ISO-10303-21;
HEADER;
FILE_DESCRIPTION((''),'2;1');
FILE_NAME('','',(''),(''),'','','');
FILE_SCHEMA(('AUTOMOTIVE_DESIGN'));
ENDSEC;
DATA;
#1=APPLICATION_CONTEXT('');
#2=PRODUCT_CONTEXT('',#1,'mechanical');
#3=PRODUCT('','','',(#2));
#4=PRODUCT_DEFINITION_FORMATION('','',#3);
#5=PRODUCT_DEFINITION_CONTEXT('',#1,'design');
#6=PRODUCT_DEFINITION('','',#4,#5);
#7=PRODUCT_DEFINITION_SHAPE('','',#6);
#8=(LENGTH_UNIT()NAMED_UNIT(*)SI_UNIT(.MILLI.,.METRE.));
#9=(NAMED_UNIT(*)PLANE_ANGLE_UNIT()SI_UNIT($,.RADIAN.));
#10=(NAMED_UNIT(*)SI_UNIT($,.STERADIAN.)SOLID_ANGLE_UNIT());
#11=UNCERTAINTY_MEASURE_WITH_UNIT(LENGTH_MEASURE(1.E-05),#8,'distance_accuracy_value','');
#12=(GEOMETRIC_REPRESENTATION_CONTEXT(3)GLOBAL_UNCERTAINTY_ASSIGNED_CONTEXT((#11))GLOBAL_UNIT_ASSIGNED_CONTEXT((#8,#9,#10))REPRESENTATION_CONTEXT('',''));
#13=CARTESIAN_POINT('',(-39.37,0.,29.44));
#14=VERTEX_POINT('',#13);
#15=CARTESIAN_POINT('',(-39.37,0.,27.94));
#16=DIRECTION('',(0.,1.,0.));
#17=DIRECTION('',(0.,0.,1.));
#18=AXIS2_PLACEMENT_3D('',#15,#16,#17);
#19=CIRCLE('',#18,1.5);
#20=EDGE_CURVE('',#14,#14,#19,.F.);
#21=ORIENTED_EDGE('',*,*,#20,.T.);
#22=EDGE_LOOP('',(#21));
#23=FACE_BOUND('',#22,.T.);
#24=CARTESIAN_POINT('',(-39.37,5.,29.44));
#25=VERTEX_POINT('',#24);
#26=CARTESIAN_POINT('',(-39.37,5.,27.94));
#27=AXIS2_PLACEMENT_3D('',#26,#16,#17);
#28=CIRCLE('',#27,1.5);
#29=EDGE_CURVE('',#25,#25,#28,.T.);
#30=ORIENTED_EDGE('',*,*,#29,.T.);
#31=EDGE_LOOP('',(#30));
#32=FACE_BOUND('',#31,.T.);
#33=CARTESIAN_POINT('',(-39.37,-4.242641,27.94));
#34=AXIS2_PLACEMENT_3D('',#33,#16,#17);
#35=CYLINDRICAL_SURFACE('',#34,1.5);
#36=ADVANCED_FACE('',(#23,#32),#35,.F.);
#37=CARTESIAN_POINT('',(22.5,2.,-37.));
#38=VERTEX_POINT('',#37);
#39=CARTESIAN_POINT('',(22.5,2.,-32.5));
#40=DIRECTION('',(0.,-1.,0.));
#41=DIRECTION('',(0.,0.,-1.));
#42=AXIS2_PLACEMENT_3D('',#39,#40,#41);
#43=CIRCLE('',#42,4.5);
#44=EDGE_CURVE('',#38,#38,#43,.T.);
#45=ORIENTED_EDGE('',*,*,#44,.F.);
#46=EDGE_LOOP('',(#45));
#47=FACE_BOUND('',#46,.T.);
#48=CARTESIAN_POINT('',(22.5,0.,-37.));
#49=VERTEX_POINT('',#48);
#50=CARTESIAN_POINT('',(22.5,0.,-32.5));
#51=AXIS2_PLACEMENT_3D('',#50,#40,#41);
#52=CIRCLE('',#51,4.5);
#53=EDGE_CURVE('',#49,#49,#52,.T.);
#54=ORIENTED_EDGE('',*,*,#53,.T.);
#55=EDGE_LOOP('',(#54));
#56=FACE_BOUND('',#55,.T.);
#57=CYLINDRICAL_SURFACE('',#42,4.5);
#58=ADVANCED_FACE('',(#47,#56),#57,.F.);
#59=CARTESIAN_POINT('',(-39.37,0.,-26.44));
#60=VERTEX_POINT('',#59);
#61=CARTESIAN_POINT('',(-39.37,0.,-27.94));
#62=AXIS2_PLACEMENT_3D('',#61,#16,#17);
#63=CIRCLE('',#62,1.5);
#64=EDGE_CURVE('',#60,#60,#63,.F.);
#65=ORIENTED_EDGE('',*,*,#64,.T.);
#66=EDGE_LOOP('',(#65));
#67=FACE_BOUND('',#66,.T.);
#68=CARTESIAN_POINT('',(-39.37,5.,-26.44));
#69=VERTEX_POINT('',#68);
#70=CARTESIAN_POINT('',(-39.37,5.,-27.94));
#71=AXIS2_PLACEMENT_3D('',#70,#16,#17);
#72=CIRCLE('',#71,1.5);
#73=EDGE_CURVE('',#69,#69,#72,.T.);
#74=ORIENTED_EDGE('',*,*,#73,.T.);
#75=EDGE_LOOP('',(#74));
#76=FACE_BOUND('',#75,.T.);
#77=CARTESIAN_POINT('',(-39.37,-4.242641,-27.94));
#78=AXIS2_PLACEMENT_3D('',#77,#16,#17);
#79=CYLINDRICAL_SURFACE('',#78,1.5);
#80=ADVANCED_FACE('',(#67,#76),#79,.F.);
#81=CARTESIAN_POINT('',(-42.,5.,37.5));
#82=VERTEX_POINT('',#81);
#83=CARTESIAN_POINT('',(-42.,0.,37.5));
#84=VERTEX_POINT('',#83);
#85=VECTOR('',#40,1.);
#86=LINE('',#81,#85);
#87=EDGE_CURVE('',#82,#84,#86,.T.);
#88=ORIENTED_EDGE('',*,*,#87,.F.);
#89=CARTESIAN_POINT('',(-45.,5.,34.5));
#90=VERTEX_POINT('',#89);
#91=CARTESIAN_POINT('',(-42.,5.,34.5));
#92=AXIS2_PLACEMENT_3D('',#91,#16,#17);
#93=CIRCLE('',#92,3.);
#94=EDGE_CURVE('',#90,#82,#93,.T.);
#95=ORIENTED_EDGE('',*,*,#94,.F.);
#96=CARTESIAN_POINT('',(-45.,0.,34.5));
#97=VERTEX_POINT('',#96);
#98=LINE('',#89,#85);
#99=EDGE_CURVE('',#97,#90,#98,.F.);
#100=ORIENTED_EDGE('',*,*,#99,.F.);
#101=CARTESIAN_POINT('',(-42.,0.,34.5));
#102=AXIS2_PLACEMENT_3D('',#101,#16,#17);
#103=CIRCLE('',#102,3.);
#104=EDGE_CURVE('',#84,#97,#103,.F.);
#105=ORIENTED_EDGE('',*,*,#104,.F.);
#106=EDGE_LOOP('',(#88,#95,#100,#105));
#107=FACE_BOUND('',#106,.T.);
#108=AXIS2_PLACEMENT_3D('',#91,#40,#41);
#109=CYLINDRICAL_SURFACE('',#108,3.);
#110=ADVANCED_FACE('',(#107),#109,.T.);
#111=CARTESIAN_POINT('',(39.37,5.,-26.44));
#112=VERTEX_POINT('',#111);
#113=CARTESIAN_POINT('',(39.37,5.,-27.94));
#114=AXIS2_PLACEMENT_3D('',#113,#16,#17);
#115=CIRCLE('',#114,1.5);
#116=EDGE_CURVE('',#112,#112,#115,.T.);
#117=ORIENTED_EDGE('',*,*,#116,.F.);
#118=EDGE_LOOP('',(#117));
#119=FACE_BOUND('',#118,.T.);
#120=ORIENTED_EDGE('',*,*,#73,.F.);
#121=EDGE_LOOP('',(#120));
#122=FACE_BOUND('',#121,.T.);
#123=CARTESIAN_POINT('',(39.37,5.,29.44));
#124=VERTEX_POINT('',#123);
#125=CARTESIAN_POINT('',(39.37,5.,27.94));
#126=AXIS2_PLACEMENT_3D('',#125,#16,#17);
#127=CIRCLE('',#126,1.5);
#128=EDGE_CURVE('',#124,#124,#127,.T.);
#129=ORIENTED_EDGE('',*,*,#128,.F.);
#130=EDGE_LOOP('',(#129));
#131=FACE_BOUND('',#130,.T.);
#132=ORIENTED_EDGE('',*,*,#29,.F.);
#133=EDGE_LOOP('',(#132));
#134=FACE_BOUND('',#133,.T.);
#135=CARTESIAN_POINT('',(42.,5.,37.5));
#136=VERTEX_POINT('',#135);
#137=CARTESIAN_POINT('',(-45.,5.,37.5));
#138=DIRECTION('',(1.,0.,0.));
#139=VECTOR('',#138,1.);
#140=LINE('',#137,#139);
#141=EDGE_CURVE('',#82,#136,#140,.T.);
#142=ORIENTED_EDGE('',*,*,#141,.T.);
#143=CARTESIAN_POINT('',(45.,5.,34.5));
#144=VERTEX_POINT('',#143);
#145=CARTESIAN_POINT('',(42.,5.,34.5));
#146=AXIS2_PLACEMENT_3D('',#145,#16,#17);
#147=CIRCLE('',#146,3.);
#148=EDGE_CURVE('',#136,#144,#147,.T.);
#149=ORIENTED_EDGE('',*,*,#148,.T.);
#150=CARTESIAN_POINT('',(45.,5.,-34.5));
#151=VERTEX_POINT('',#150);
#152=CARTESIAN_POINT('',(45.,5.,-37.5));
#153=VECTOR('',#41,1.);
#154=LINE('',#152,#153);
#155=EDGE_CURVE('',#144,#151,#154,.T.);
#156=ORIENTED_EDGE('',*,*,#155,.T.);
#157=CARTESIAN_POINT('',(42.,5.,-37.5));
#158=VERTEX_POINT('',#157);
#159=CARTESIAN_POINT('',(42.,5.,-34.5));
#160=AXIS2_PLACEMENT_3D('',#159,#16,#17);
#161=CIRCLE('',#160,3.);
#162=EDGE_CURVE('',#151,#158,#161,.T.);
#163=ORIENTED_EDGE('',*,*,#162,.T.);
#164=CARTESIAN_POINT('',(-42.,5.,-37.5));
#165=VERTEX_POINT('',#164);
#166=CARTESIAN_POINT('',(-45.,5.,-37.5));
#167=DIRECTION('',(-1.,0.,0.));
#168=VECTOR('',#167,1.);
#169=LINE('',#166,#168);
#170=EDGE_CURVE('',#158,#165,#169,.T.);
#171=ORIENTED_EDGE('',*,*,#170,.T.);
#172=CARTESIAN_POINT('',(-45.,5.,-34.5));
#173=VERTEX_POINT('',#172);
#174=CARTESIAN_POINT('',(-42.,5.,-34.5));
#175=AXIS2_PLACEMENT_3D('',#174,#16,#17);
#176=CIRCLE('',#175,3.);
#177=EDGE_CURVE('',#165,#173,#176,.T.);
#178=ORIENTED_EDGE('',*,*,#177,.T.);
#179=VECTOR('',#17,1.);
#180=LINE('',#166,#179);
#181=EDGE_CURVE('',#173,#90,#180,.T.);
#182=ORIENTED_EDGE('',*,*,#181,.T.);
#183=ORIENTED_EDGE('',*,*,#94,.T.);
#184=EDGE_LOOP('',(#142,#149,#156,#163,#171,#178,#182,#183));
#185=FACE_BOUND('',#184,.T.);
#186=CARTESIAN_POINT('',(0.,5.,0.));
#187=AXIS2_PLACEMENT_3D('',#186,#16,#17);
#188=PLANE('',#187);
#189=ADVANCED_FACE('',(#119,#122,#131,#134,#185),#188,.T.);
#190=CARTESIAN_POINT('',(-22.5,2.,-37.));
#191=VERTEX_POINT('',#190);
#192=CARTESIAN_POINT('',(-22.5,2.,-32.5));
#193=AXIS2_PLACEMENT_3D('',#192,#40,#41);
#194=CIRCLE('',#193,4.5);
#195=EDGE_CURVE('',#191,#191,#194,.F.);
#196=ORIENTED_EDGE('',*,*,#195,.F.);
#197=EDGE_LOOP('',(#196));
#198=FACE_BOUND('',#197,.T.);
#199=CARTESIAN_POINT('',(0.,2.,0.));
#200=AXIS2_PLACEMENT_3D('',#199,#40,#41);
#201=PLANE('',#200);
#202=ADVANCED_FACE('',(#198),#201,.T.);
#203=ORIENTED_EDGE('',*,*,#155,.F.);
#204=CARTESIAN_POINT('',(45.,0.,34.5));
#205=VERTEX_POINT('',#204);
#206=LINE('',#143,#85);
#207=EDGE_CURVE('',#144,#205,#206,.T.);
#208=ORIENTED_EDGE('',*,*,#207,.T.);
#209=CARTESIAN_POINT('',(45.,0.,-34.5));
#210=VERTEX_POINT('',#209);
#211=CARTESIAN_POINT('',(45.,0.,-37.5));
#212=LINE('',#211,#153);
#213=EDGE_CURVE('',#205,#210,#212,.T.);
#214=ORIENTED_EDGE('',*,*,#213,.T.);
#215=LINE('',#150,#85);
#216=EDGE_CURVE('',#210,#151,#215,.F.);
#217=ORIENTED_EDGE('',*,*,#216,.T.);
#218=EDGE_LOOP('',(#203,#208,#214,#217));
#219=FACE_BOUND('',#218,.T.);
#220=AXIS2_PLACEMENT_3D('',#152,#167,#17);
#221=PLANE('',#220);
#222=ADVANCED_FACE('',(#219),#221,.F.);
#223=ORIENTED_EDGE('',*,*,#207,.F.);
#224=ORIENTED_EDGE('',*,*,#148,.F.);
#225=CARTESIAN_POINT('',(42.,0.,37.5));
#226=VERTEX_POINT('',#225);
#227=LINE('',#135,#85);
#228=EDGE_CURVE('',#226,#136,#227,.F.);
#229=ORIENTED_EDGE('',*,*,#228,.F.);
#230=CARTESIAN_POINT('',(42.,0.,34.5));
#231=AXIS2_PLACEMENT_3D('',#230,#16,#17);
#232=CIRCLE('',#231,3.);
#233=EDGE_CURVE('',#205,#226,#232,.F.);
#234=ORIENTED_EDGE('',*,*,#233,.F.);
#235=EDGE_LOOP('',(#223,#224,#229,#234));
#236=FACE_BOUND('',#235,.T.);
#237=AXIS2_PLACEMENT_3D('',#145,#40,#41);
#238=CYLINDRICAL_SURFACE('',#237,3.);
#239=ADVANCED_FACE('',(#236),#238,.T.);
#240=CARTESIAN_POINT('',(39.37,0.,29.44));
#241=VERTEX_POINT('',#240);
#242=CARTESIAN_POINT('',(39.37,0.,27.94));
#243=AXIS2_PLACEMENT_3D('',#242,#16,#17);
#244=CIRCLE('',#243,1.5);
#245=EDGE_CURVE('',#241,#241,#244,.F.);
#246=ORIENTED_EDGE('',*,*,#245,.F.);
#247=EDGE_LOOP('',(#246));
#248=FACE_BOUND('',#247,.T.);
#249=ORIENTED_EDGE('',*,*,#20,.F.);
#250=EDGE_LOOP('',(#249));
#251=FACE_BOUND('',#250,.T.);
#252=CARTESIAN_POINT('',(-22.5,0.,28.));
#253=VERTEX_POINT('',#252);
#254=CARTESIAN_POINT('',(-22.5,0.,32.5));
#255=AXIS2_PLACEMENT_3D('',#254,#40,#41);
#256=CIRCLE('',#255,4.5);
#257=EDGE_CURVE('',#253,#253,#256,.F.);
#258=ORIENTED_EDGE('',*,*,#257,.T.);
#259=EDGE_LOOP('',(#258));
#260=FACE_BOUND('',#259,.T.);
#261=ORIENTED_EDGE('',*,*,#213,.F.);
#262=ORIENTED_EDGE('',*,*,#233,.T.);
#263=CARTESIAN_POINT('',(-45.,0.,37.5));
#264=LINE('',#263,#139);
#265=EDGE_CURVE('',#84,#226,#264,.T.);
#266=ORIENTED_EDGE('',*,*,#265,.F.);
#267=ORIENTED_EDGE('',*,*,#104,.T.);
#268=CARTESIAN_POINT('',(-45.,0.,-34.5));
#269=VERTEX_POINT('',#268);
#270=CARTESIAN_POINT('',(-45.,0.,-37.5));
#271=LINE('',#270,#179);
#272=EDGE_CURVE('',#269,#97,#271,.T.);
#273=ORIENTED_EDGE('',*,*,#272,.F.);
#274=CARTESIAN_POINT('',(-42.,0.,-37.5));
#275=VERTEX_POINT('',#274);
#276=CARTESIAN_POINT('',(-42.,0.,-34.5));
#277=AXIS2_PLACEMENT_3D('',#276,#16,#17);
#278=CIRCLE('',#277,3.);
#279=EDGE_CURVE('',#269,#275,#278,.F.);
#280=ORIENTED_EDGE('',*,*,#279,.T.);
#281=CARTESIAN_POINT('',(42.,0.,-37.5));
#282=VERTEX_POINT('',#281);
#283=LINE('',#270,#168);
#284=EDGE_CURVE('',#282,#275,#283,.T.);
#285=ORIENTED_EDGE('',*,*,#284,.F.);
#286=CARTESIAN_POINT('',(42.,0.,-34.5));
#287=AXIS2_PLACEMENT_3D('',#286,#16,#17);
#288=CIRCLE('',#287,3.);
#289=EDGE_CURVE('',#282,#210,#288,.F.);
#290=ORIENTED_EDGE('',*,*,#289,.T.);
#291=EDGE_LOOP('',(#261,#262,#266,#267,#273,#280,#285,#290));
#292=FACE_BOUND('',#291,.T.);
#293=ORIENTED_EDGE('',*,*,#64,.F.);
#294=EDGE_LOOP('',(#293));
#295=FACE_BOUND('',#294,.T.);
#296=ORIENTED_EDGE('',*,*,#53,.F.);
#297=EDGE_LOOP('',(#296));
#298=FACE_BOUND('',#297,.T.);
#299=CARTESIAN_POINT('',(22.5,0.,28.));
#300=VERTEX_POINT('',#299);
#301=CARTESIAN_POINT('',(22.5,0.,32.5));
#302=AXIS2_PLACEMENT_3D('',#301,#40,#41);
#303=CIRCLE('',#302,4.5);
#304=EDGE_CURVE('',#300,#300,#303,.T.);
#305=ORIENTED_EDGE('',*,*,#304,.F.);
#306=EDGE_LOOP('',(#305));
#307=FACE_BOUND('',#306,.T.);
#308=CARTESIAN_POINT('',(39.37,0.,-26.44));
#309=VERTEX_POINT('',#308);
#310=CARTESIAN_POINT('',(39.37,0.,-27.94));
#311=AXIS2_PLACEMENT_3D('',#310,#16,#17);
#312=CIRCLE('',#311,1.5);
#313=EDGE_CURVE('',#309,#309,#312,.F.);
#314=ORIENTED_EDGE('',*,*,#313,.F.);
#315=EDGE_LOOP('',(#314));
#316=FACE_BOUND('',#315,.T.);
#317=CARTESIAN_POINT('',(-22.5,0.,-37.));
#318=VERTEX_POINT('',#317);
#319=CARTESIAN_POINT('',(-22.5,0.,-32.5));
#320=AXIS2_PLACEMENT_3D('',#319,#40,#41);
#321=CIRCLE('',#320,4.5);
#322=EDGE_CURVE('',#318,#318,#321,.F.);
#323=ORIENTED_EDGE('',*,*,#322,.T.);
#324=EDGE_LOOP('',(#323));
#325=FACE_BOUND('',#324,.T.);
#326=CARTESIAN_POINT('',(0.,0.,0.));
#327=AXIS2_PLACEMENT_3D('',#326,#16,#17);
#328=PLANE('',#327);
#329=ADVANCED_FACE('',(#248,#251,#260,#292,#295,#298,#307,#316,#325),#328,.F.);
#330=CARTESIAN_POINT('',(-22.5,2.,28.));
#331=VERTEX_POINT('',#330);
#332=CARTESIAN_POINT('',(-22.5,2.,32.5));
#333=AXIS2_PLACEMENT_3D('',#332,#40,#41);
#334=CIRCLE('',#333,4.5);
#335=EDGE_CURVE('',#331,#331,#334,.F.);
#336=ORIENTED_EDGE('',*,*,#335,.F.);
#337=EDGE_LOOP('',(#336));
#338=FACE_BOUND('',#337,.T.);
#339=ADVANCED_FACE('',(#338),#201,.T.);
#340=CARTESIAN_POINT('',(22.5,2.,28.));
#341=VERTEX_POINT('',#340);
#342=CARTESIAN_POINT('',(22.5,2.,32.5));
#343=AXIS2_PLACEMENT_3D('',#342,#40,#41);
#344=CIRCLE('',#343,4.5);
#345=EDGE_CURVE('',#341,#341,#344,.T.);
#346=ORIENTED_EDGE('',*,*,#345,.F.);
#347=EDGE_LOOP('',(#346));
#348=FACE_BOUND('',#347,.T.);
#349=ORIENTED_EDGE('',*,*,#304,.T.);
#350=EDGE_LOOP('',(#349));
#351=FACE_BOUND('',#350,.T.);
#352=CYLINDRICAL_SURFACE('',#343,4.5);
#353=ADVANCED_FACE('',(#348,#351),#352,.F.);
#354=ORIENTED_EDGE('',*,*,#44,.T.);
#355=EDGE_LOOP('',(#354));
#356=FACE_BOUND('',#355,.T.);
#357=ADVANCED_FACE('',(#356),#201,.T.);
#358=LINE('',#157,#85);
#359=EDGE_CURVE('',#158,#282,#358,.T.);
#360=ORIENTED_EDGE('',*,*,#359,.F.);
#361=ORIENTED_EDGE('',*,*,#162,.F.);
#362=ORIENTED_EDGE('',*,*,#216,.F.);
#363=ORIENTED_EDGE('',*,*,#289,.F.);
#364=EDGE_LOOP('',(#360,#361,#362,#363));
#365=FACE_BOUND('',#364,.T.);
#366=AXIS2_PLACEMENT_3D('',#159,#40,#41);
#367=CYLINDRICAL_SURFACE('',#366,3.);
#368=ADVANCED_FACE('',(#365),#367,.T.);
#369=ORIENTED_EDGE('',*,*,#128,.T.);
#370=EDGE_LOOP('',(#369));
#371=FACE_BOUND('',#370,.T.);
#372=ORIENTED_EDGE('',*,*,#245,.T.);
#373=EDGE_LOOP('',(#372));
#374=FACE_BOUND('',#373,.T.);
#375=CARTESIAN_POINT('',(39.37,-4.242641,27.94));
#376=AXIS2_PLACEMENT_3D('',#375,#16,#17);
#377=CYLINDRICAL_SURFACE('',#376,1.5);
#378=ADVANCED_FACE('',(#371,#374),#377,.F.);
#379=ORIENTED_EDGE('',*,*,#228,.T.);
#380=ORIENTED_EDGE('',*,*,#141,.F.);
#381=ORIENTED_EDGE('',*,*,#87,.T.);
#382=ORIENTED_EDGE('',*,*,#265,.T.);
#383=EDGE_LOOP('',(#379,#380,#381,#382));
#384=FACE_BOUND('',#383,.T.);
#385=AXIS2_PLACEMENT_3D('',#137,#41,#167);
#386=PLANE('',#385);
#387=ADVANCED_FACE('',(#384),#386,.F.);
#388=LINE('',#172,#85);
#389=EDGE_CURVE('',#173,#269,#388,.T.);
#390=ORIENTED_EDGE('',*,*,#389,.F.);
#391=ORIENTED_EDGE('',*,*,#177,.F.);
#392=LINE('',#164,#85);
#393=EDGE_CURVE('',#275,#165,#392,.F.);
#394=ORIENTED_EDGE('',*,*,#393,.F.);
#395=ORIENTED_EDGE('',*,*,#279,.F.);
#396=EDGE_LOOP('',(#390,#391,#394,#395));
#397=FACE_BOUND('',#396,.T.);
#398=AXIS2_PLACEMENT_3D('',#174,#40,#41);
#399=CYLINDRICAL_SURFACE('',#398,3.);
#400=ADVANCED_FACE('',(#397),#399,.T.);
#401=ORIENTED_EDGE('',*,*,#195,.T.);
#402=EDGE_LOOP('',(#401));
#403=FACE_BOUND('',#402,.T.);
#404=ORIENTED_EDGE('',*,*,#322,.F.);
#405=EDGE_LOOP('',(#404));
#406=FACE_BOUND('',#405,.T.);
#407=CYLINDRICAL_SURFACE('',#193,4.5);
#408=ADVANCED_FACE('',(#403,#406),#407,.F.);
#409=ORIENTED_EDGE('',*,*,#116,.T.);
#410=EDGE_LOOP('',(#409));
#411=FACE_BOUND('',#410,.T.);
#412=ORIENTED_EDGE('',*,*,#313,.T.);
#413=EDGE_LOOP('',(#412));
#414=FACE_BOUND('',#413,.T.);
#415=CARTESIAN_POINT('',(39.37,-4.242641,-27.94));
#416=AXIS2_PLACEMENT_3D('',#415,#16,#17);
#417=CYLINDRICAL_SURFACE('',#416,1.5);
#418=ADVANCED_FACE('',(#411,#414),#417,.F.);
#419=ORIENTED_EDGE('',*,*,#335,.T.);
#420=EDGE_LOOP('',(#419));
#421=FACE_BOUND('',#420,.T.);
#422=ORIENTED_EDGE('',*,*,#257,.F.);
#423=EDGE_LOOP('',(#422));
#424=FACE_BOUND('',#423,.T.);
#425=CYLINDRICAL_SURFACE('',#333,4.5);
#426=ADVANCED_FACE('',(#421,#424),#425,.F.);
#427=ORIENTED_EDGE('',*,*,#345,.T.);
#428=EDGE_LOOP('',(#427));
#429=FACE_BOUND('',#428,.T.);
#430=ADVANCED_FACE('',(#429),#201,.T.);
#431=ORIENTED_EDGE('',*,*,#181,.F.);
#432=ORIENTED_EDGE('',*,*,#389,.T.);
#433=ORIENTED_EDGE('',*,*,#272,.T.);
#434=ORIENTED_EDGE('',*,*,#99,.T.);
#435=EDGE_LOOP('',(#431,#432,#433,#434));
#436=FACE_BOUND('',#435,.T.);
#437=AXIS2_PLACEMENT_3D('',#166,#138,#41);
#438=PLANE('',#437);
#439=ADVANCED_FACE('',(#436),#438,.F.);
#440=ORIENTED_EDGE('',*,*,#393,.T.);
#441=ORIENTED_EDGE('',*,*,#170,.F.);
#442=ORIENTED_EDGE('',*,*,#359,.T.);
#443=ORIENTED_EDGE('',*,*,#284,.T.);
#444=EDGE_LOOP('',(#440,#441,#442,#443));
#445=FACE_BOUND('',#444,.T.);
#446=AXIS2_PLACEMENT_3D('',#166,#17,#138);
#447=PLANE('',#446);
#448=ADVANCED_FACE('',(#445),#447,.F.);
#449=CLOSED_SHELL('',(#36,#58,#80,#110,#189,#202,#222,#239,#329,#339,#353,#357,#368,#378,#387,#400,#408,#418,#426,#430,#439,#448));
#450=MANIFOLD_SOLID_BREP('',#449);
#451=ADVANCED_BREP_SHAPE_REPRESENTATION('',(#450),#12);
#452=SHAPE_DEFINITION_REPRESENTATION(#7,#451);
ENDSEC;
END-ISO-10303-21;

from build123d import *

# Parameters (mm, degrees)
SKETCH1_W           = 90
SKETCH1_H           = 75
BOSS_EXTRUDE1_DEPTH = 5
SKETCH2_R           = 1.5
CUT_EXTRUDE1_DEPTH  = 5
SKETCH3_R           = 4.5
CUT_EXTRUDE2_DEPTH  = 2
FILLET1_R           = 3


with BuildPart() as part:
    # Sketch1 → Boss-Extrude1 (new body)
    with BuildSketch(Plane(origin=(0, 0, 0), x_dir=(1, 0, 0), z_dir=(0, 1, 0))):
        Rectangle(SKETCH1_W, SKETCH1_H)
    extrude(amount=BOSS_EXTRUDE1_DEPTH)

    # Sketch2 → Cut-Extrude1 (cut)
    with BuildSketch(Plane(origin=(0, 5, 0), x_dir=(1, 0, 0), z_dir=(0, 1, 0))):
        with Locations(Location((-39.37, 27.94, 0), (0, 0, 270))):
            Circle(SKETCH2_R)
        with Locations(Location((39.37, 27.94, 0), (0, 0, 270))):
            Circle(SKETCH2_R)
        with Locations(Location((39.37, -27.94, 0), (0, 0, 270))):
            Circle(SKETCH2_R)
        with Locations(Location((-39.37, -27.94, 0), (0, 0, 270))):
            Circle(SKETCH2_R)
    extrude(amount=-CUT_EXTRUDE1_DEPTH, mode=Mode.SUBTRACT)

    # Sketch3 → Cut-Extrude2 (cut)
    with BuildSketch(Plane.XZ):
        with Locations(Location((-22.5, -32.5, 0), (0, 0, 270))):
            Circle(SKETCH3_R)
        with Locations(Location((-22.5, 32.5, 0), (0, 0, 270))):
            Circle(SKETCH3_R)
        with Locations(Location((22.5, 32.5, 0), (0, 0, 270))):
            Circle(SKETCH3_R)
        with Locations(Location((22.5, -32.5, 0), (0, 0, 270))):
            Circle(SKETCH3_R)
    extrude(amount=-CUT_EXTRUDE2_DEPTH, mode=Mode.SUBTRACT)

    # Fillet1
    fillet1_edges = [part.edges().sort_by_distance(p)[0] for p in [
        (45, 2.5, 37.5),
        (-45, 2.5, 37.5),
        (-45, 2.5, -37.5),
        (45, 2.5, -37.5),
    ]]
    fillet(fillet1_edges, radius=FILLET1_R)


solid = part.part
